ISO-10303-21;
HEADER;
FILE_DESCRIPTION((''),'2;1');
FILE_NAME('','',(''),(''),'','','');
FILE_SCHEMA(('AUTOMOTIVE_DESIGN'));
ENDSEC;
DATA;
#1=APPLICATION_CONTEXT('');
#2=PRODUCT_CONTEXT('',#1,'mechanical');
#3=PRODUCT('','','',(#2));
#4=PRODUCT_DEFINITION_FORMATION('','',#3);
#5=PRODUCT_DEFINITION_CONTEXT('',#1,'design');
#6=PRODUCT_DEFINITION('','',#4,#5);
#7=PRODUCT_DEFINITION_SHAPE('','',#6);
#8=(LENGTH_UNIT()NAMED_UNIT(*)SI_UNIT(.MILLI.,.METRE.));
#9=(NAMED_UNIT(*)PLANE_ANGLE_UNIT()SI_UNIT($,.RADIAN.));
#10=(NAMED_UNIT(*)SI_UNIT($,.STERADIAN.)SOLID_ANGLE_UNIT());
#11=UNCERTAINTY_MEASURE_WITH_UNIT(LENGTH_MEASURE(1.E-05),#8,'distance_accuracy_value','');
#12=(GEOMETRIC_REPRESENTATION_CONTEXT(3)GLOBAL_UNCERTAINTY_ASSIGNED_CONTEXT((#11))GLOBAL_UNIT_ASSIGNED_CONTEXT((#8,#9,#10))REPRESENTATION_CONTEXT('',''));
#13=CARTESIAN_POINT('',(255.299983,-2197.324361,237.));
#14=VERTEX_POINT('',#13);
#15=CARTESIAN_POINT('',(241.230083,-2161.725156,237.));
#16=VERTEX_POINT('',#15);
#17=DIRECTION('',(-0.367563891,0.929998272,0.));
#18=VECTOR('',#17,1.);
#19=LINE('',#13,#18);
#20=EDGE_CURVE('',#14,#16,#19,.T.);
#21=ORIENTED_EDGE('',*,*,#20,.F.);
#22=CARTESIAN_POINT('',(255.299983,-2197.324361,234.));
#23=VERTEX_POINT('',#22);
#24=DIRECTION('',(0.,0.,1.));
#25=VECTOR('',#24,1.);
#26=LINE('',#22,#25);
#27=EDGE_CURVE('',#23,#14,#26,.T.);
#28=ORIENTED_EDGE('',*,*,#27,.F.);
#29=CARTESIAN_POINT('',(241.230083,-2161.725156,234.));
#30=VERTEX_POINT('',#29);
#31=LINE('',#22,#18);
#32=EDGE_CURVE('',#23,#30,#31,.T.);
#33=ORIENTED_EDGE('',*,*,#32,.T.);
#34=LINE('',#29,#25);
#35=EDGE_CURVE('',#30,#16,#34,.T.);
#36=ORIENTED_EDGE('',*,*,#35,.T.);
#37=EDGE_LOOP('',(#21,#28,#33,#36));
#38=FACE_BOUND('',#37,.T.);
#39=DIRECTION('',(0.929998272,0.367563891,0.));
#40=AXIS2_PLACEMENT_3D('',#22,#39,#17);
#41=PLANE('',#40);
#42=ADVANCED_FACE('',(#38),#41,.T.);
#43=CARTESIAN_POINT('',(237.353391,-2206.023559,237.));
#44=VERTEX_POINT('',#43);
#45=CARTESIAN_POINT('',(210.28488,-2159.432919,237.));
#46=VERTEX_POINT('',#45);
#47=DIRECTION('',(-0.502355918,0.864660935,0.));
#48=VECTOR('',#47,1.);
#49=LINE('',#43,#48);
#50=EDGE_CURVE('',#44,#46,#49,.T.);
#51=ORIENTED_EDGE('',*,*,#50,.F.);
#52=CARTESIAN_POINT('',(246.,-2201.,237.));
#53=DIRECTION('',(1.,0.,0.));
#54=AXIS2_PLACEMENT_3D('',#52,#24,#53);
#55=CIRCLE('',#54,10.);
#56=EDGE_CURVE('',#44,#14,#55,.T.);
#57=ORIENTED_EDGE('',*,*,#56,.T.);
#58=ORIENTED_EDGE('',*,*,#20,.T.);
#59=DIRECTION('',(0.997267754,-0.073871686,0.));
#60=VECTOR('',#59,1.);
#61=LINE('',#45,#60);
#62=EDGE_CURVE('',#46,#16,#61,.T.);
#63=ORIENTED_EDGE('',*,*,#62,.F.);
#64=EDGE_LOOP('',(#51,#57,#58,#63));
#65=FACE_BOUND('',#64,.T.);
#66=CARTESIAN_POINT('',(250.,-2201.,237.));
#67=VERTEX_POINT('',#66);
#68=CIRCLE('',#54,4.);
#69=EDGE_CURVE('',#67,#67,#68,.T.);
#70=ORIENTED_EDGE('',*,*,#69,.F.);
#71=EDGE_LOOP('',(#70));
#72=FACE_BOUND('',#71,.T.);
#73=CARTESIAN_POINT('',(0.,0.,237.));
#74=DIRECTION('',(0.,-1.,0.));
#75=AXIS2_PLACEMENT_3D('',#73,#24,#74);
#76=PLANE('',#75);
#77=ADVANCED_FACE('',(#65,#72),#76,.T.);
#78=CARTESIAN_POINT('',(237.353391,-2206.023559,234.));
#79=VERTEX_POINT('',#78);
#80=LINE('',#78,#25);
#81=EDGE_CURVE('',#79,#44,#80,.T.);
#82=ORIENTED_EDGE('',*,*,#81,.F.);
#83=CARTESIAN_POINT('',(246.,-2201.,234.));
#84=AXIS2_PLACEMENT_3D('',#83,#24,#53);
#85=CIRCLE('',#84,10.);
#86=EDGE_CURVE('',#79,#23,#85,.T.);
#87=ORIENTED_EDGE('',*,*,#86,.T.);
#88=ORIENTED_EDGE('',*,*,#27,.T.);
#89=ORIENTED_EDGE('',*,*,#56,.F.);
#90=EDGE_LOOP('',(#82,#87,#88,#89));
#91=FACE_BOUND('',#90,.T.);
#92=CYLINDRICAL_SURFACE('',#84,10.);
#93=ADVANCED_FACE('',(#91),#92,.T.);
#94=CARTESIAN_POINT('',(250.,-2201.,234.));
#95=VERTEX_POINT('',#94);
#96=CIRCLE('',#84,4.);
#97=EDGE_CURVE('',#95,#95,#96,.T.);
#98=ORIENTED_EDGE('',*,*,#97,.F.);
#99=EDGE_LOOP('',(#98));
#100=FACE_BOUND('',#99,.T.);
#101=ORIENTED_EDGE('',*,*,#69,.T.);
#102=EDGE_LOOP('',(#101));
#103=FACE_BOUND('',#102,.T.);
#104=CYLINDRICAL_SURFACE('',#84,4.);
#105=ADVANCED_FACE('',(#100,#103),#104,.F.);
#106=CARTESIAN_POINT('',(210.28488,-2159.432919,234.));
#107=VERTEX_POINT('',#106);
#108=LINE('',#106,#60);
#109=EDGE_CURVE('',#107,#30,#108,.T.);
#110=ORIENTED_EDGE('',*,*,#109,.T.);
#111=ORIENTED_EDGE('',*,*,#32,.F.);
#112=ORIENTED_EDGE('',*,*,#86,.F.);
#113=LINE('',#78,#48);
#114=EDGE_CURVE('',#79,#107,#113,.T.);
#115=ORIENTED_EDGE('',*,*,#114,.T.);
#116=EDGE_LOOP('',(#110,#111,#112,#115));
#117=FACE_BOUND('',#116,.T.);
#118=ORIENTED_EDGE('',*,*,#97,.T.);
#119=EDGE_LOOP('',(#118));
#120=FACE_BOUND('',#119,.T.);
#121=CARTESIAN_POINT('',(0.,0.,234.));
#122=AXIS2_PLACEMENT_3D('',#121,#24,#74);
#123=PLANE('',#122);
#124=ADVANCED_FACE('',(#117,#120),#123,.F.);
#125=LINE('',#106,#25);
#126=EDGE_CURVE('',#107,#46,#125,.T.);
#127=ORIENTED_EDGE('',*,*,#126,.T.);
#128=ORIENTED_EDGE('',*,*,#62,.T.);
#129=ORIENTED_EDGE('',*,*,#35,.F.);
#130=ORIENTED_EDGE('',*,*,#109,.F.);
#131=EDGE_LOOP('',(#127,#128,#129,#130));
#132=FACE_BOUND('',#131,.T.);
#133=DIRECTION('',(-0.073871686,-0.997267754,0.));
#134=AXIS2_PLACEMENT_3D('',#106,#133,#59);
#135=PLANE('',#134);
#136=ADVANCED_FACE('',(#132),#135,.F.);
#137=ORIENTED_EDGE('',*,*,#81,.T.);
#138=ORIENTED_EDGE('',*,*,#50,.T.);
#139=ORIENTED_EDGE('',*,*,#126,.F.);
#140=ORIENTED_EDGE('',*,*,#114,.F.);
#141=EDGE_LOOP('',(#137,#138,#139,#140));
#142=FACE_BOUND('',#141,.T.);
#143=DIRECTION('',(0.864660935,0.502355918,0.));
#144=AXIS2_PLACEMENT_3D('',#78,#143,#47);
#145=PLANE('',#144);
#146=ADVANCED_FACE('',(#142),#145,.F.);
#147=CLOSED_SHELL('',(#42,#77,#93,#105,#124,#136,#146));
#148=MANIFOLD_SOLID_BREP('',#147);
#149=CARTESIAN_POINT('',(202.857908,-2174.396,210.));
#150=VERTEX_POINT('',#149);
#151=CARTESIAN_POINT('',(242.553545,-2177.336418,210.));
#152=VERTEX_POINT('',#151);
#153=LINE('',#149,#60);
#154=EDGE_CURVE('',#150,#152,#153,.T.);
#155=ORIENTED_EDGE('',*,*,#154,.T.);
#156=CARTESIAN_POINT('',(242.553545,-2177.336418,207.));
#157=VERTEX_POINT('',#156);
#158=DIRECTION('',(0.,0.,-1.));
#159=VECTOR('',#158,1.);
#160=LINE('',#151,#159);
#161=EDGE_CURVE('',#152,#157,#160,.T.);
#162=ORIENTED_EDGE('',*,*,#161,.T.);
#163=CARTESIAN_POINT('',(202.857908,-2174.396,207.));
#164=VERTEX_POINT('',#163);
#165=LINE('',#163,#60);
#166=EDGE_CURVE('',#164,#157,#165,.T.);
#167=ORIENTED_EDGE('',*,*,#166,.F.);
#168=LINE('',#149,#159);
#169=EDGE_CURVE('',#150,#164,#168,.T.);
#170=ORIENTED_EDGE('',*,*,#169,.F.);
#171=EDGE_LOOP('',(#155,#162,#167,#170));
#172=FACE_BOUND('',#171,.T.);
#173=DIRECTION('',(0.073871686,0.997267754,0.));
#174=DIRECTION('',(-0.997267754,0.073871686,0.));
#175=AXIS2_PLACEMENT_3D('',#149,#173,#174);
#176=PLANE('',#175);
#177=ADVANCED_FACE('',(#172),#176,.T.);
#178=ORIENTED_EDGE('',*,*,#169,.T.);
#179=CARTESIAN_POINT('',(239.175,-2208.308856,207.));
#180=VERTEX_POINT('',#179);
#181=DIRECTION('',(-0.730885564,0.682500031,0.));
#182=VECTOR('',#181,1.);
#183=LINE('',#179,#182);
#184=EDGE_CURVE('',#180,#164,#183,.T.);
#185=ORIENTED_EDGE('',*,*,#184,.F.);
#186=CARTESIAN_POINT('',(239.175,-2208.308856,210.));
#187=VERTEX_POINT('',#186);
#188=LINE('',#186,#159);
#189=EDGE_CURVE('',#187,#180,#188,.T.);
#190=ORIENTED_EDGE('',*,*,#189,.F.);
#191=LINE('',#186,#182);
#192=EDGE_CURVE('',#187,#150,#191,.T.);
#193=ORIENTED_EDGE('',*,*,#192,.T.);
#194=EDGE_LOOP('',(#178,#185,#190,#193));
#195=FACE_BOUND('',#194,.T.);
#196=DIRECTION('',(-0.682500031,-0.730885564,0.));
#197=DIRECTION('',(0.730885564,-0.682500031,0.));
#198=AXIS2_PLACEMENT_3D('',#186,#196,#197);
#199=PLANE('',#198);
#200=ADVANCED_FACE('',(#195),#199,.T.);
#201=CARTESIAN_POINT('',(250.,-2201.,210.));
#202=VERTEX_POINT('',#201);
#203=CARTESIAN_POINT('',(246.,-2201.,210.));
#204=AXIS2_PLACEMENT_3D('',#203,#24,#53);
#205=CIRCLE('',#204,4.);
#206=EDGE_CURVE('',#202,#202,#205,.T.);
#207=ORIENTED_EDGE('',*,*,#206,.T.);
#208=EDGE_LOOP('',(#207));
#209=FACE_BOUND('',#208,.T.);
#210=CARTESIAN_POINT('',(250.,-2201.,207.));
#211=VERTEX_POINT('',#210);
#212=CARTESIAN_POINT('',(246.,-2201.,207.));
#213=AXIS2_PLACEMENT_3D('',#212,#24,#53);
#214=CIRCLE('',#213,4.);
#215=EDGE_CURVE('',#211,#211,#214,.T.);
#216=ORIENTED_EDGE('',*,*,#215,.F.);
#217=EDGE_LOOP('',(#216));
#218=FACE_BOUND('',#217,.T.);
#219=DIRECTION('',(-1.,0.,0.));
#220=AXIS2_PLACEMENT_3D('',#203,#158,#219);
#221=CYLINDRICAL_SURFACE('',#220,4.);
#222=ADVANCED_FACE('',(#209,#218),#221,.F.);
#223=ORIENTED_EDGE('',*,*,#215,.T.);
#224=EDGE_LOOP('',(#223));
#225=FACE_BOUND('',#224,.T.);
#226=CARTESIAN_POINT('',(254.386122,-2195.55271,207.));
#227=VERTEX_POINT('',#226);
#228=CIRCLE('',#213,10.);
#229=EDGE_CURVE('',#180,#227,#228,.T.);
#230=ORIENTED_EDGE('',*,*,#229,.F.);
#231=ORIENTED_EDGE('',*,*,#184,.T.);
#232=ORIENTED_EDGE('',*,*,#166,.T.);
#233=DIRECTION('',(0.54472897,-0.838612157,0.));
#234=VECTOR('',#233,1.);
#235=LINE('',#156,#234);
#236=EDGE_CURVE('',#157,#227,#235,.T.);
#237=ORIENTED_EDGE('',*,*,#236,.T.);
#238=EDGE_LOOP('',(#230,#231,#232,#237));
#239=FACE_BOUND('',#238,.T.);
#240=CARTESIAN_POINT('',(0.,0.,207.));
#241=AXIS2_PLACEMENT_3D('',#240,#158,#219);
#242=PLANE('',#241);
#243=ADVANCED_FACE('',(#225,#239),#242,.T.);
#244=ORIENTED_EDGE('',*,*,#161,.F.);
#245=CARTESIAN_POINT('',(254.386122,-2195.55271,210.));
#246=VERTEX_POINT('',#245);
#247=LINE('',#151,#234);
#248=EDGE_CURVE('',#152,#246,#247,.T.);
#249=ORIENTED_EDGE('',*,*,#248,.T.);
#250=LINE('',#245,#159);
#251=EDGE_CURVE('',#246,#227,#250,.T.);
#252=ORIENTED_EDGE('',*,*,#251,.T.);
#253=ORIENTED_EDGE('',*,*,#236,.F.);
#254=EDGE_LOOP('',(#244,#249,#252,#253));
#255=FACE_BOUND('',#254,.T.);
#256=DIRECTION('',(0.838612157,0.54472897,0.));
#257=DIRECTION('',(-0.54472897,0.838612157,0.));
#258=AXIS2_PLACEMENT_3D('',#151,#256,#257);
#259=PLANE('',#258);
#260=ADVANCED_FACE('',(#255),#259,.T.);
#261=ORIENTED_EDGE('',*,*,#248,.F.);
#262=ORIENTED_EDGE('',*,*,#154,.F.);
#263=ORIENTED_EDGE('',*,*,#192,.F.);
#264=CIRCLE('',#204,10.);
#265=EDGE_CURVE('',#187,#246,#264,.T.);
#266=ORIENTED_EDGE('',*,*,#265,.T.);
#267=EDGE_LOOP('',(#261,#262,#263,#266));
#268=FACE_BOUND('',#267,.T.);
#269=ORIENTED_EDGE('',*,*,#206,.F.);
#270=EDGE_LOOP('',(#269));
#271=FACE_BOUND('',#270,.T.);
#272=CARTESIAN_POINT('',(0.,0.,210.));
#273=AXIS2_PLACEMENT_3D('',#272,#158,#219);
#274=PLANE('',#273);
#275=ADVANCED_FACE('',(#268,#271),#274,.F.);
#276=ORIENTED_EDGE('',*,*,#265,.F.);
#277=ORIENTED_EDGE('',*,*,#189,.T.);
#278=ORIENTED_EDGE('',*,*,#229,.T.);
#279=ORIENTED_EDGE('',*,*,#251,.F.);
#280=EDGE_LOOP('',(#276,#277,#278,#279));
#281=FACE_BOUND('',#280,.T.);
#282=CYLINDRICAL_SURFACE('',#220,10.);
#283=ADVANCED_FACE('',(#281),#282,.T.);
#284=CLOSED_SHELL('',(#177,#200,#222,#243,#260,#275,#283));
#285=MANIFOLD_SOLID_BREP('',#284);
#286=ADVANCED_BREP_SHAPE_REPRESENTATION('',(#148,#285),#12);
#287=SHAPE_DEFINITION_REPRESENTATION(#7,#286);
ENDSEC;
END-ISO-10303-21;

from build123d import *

# Parameters (mm, degrees)
F_3DSKETCH1_R       = 4
BOSS_EXTRUDE1_DEPTH = 3
BOSS_EXTRUDE2_START = 3
F_3DSKETCH1_3_R     = 4
BOSS_EXTRUDE2_DEPTH = 3


with BuildPart() as part:
    # 3DSketch1 → Boss-Extrude1 (new body)
    with BuildSketch(Plane(origin=(210.284879759, -2159.432918783, 234), x_dir=(0.765045268055925, -0.643976504094084, 0), z_dir=(0, 0, -1))):
        with BuildLine():
            Line((0, 0), (25.150628352, -18.174318588))
            Line((25.150628352, -18.174318588), (58.839790062, 0))
            ThreePointArc((58.839790062, 0), (63.223787862, 12.876385034), (50.7119139, 18.212463954))
            Line((50.7119139, 18.212463954), (0, 0))
        make_face()
        with Locations(Location((54.091907386, 8.801000516, 0), (0, 0, 319.911019429))):
            Circle(F_3DSKETCH1_R, mode=Mode.SUBTRACT)
    extrude(amount=-BOSS_EXTRUDE1_DEPTH)


with BuildPart() as body_2:
    # 3DSketch1<3> → Boss-Extrude2 (new body)
    with BuildSketch(Plane(origin=(239.174999692, -2208.308855642, 210), x_dir=(-0.7308855641899759, 0.6825000308122343, 0), z_dir=(0, 0, -1)).offset(BOSS_EXTRUDE2_START)):
        with BuildLine():
            Line((0, 0), (49.689163225, 0))
            Line((49.689163225, 0), (18.669359488, 24.943165231))
            Line((18.669359488, 24.943165231), (-2.411519809, 19.704873632))
            ThreePointArc((-2.411519809, 19.704873632), (-9.925944195, 8.785244123), (0, 0))
        make_face()
        with Locations(Location((0, 10, 0), (0, 0, 136.960685483))):
            Circle(F_3DSKETCH1_3_R, mode=Mode.SUBTRACT)
    extrude(amount=-BOSS_EXTRUDE2_DEPTH)


solid = Compound([part.part, body_2.part])
